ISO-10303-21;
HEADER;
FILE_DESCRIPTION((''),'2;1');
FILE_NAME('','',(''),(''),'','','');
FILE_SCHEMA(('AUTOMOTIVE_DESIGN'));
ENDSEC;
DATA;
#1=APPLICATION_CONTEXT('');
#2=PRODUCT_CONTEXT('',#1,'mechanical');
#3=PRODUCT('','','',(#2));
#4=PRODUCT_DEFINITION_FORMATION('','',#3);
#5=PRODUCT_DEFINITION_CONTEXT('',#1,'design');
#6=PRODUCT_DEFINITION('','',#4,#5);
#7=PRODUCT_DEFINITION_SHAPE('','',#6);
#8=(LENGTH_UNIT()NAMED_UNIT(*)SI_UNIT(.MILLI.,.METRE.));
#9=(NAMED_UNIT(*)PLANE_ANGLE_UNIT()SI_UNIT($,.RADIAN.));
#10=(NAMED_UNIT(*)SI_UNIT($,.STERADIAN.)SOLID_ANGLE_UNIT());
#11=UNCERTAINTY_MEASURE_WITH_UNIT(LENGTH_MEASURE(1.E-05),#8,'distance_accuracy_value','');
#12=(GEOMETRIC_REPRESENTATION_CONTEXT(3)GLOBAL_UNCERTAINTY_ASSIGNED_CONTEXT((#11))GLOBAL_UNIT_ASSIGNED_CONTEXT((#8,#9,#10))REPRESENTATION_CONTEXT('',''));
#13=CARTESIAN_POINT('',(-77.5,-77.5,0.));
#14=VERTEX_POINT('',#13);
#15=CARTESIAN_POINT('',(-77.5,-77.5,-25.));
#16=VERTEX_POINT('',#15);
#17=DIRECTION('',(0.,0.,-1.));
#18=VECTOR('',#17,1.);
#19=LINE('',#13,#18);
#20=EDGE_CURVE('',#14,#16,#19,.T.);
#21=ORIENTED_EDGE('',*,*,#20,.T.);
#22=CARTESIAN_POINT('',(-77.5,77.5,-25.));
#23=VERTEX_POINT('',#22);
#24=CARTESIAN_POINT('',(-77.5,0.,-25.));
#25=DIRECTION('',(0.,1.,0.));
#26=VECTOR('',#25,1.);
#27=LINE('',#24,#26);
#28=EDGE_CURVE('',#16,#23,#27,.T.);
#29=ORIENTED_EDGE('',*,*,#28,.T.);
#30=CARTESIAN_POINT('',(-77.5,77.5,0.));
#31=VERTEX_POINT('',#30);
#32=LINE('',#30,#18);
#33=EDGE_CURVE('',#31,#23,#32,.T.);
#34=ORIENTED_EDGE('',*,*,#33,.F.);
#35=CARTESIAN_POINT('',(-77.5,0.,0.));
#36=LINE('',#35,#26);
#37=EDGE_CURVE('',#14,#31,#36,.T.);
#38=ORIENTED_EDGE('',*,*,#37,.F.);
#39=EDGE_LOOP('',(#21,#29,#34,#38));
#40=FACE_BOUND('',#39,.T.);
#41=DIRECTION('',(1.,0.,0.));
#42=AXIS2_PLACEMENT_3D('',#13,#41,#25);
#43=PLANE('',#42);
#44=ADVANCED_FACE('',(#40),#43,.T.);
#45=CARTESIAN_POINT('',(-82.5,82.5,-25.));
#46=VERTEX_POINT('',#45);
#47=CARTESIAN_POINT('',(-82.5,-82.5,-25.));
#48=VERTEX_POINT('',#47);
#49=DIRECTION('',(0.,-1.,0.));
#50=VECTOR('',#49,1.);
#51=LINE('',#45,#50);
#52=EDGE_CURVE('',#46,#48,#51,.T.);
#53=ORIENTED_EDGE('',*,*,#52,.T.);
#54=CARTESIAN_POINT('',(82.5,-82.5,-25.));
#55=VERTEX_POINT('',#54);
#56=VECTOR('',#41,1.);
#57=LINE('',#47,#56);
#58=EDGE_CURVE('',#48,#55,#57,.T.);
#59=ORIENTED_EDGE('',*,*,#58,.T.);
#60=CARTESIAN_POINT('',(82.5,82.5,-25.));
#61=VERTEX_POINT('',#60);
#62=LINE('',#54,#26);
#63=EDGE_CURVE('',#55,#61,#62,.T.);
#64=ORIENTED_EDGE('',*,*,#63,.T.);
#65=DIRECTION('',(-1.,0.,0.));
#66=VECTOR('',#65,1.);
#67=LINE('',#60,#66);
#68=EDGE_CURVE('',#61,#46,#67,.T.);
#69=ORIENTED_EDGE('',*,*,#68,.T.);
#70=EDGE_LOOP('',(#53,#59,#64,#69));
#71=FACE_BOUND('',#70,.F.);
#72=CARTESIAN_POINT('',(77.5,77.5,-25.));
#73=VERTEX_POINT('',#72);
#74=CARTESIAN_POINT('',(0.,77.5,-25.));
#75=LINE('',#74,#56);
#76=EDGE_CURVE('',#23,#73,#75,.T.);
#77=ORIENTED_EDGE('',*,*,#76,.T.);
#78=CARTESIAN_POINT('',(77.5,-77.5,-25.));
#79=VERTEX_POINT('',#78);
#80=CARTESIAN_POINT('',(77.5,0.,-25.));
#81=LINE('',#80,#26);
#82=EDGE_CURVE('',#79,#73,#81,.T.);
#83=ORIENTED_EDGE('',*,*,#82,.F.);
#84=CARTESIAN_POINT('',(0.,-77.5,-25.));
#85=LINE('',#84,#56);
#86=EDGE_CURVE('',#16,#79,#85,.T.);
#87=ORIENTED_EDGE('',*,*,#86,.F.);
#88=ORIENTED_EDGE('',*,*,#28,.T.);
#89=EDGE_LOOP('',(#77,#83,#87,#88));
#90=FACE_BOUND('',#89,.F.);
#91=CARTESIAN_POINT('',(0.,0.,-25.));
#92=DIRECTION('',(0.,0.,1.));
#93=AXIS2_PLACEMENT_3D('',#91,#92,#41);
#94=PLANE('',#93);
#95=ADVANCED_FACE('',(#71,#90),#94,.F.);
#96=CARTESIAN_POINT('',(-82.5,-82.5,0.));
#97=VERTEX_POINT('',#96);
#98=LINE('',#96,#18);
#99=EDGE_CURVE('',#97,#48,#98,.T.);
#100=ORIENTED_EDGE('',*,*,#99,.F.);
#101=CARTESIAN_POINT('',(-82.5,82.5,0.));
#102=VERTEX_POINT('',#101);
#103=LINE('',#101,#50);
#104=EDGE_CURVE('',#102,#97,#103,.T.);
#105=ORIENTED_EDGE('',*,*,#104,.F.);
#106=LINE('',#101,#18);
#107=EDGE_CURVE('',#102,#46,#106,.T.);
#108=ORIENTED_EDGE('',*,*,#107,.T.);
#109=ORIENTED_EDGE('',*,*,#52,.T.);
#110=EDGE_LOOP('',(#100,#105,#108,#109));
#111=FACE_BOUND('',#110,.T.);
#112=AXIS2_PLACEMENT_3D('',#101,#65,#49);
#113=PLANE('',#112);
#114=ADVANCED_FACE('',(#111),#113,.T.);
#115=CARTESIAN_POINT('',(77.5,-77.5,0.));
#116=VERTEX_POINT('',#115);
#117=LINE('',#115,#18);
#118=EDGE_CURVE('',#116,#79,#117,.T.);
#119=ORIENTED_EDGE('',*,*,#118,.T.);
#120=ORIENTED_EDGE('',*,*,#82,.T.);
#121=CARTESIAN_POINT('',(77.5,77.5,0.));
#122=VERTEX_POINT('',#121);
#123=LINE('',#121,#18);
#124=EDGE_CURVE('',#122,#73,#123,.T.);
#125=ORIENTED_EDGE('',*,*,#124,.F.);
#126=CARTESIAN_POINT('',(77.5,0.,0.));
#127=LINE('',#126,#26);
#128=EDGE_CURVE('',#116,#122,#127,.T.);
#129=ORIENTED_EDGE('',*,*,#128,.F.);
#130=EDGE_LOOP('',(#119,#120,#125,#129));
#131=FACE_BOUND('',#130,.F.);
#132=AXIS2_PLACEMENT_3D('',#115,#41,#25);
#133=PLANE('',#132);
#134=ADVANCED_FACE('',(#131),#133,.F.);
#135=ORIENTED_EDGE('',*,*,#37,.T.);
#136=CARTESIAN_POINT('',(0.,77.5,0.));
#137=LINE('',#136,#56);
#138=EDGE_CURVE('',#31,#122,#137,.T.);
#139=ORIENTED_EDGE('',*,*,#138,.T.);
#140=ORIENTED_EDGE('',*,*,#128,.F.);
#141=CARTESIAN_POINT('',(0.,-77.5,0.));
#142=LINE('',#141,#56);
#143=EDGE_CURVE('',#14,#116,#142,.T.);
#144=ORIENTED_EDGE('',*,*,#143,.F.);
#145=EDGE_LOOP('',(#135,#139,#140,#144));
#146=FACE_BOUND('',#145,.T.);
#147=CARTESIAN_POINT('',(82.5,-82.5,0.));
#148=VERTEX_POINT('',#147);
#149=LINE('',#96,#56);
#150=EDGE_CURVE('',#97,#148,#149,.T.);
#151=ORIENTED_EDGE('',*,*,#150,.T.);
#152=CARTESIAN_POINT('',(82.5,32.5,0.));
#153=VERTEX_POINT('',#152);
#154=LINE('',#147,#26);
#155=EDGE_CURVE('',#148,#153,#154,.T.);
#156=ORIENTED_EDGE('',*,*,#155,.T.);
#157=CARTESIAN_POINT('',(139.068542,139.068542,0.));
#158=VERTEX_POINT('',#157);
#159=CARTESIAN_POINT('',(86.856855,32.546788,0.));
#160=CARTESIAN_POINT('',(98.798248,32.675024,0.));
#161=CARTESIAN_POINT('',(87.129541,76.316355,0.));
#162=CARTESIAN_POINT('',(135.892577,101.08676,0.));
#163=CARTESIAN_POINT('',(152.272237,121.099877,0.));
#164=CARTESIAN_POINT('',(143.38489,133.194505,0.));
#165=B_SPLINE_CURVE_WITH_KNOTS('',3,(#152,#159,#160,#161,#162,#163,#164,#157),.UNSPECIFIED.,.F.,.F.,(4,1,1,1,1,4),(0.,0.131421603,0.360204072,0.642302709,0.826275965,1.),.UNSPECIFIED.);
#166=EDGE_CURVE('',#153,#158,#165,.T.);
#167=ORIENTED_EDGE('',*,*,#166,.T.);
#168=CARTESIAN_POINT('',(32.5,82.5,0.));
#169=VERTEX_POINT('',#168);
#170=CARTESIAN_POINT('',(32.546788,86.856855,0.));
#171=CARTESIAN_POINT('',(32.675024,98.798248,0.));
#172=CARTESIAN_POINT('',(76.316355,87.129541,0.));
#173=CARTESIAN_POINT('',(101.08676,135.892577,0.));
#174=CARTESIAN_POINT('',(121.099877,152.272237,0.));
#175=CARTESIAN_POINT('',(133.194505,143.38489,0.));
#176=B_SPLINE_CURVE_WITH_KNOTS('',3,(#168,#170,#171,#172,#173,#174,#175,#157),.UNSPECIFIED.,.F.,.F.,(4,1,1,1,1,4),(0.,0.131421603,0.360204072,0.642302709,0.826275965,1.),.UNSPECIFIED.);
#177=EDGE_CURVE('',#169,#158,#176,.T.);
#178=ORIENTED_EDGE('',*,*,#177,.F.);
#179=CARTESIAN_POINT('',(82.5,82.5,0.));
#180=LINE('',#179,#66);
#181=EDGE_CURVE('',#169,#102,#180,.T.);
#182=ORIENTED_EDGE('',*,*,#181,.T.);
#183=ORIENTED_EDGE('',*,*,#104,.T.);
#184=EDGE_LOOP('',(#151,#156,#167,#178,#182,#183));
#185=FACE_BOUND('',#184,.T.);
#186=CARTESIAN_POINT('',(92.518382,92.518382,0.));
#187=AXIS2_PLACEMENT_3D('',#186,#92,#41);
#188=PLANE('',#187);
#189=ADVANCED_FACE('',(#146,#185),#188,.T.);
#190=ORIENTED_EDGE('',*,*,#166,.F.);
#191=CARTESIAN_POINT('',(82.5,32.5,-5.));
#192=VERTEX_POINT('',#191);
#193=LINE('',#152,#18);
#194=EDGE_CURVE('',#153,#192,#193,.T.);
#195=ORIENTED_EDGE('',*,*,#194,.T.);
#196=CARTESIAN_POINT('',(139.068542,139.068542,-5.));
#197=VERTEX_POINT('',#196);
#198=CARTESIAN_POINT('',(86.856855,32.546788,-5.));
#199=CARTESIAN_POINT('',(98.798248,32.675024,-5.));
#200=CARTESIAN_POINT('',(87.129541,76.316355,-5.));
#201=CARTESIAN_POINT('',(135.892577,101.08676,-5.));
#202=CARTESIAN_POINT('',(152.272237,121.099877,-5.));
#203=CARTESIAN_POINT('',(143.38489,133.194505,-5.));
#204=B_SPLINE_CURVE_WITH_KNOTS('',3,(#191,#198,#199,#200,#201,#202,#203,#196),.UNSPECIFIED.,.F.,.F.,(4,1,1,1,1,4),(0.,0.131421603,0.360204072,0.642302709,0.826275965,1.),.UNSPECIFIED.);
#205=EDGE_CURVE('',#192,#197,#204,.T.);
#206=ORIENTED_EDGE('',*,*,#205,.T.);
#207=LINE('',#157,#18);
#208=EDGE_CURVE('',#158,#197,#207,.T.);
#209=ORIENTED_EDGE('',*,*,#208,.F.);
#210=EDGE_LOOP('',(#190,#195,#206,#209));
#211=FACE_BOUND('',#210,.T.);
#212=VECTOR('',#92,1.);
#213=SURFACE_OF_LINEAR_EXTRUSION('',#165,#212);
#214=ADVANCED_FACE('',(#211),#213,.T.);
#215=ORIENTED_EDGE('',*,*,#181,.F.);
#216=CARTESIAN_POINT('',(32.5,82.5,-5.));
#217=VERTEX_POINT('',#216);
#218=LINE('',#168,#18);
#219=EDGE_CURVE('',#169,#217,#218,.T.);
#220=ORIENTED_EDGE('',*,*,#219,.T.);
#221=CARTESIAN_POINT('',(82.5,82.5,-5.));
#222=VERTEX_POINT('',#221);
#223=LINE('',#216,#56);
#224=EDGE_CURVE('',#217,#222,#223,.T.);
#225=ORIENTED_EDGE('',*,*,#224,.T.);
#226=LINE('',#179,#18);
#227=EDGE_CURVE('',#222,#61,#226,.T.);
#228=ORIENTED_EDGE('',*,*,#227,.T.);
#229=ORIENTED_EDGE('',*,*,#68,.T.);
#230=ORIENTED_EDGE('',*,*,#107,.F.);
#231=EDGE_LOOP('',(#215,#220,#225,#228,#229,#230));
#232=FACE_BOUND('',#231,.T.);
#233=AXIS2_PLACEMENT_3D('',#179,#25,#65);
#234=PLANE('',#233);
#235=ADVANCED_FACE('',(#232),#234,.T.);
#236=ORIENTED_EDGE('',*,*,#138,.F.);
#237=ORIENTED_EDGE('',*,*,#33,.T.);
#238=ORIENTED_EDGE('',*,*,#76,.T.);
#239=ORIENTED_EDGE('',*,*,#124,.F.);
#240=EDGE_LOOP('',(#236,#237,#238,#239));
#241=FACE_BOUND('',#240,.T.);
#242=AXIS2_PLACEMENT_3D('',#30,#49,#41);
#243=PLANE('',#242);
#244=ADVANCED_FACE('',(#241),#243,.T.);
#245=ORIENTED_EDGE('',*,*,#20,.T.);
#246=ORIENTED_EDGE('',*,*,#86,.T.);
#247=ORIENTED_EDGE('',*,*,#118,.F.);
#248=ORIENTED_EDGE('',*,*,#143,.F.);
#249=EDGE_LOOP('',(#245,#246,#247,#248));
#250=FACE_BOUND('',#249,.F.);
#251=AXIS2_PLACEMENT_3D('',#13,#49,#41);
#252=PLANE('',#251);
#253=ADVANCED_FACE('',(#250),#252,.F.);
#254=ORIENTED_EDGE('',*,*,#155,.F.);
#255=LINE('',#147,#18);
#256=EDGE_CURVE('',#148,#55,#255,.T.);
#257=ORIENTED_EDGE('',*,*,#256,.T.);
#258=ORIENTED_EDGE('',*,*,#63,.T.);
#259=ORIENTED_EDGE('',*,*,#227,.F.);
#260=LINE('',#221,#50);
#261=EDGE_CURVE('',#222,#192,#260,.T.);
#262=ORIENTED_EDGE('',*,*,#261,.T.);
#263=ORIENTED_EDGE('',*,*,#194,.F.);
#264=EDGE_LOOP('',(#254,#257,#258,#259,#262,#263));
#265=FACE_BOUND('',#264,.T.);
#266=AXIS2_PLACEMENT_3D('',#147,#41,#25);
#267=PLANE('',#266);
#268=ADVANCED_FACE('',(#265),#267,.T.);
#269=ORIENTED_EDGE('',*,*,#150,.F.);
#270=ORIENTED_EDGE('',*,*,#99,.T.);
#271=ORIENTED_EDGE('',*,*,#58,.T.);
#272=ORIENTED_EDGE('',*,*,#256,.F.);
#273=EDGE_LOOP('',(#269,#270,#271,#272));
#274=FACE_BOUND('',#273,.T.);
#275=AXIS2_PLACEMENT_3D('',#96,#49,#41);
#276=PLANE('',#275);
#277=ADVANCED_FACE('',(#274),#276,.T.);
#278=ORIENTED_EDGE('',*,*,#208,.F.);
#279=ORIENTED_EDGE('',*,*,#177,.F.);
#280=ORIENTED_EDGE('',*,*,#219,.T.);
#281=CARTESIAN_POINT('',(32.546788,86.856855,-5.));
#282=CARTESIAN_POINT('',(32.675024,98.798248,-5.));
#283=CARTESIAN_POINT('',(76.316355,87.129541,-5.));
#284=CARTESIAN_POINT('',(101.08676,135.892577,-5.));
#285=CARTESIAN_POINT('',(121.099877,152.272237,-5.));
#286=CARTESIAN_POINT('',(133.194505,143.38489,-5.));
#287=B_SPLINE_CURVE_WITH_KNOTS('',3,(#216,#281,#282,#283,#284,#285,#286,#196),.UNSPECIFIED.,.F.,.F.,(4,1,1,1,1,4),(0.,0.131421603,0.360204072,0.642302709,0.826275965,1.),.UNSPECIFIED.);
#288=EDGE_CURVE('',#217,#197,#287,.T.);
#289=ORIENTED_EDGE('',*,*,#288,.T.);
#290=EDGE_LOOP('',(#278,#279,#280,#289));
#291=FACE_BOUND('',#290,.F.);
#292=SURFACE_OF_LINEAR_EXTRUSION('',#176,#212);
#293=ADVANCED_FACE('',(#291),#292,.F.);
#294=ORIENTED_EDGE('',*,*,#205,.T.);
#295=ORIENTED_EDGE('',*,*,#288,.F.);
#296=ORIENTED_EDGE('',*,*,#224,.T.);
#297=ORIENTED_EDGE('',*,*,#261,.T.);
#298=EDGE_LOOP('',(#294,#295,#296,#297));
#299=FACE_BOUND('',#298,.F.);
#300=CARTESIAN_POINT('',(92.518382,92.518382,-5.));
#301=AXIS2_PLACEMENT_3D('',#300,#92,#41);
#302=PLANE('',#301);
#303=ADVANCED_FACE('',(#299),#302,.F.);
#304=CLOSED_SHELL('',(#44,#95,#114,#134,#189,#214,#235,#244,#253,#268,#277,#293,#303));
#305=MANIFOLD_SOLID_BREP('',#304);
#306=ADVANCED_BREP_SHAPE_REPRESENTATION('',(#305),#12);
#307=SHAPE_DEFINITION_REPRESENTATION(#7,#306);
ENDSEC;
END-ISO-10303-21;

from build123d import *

# Parameters (mm, degrees)
F0_W     = 155
F0_H     = 155
F1_DEPTH = 25
F2_DEPTH = 5


with BuildPart() as f1:
    # F0 (on Top) → F1 (new body)
    with BuildSketch(Plane.XY):
        Polygon((-82.5, -82.5), (82.5, -82.5), (82.5, 32.5), (82.5, 82.5), (32.5, 82.5), (-82.5, 82.5), align=None)
        Rectangle(F0_W, F0_H, mode=Mode.SUBTRACT)
    extrude(amount=-F1_DEPTH)

    # F0 (on Top) → F2 (join)
    with BuildSketch(Plane.XY):
        with BuildLine():
            Line((82.5, 82.5), (82.5, 32.5))
            add(Edge.make_bspline(
                [(82.5, 32.5), (86.8568552967, 32.5467875772), (98.7982483922, 32.6750243013), (87.129540577, 76.3163545482), (135.8925766094, 101.0867595208), (152.2722367234, 121.0998774434), (143.3848898482, 133.1945046313), (139.0685424949, 139.0685424949)],
                knots=[0, 0, 0, 0, 0.1314216026, 0.3602040718, 0.6423027085, 0.8262759652, 1, 1, 1, 1], degree=3))
            add(Edge.make_bspline(
                [(32.5, 82.5), (32.5467875772, 86.8568552967), (32.6750243013, 98.7982483922), (76.3163545482, 87.129540577), (101.0867595208, 135.8925766094), (121.0998774434, 152.2722367234), (133.1945046313, 143.3848898482), (139.0685424949, 139.0685424949)],
                knots=[0, 0, 0, 0, 0.1314216026, 0.3602040718, 0.6423027085, 0.8262759652, 1, 1, 1, 1], degree=3))
            Line((32.5, 82.5), (82.5, 82.5))
        make_face()
    extrude(amount=-F2_DEPTH)


solid = f1.part
